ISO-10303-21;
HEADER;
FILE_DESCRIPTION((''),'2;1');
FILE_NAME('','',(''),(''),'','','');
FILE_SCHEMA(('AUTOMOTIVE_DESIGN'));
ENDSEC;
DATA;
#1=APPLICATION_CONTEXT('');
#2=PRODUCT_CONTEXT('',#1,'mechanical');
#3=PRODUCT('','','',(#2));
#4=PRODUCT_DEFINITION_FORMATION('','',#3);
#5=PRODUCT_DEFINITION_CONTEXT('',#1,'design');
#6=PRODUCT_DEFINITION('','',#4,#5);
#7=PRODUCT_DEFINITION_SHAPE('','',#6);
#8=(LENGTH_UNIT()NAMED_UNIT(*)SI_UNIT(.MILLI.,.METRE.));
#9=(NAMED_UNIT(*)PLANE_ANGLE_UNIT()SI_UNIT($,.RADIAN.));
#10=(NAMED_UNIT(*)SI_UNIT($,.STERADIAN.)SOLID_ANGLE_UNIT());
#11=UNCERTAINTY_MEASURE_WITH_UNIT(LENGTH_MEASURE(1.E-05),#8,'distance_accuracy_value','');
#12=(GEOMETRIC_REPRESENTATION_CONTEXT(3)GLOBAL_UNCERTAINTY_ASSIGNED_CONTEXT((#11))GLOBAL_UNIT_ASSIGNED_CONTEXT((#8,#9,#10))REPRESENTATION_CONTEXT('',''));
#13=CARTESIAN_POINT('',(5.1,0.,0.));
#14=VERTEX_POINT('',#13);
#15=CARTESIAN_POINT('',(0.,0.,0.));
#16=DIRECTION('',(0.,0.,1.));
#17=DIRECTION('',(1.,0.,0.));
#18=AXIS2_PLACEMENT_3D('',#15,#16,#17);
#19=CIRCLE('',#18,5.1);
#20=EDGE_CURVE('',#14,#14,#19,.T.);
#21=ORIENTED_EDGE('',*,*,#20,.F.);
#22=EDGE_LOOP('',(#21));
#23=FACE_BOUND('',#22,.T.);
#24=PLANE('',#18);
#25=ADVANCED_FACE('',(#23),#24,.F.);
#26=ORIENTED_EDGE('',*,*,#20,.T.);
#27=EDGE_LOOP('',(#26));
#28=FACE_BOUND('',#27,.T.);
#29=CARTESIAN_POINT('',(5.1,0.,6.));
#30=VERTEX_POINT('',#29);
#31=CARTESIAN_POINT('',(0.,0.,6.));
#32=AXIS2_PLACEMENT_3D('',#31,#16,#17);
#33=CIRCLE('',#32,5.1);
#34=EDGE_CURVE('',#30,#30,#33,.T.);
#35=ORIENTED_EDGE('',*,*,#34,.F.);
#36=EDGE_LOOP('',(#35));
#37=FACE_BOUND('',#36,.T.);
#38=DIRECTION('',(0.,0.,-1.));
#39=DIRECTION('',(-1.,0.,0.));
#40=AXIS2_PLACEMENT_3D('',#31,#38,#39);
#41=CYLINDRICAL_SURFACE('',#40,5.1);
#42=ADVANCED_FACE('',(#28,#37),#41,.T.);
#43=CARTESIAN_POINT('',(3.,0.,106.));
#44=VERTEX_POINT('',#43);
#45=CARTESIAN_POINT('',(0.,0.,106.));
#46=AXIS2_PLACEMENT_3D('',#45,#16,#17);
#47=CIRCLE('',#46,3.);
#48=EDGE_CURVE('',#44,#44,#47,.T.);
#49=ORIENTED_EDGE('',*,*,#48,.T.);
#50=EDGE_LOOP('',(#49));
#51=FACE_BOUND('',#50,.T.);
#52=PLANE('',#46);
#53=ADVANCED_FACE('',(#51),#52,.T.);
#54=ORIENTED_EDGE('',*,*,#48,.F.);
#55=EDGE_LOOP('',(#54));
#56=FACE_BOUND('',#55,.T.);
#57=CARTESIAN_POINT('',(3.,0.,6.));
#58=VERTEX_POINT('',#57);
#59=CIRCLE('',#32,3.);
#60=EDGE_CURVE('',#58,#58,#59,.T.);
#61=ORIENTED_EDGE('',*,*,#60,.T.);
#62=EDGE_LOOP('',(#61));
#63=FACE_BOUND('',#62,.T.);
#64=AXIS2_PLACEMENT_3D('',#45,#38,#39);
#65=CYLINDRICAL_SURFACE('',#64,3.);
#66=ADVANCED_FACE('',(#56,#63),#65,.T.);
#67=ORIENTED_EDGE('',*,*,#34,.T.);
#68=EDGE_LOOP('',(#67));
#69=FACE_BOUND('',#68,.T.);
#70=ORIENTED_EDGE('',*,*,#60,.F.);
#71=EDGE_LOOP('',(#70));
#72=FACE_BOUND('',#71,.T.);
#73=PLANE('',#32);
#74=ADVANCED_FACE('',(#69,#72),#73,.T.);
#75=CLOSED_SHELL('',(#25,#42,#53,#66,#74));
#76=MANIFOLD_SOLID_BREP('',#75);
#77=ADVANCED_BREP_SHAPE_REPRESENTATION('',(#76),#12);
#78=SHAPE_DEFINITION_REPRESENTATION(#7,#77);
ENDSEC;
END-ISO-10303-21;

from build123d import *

# Parameters (mm, degrees)
SKETCH_1_R      = 5.1
EXTRUDE_1_DEPTH = 6
SKETCH_2_R      = 3
EXTRUDE_2_DEPTH = 100


with BuildPart() as part:
    # 草图1 → 凸台-拉伸1 (new body)
    with BuildSketch(Plane.XY):
        Circle(SKETCH_1_R)
    extrude(amount=EXTRUDE_1_DEPTH)

    # 草图2 → 凸台-拉伸2 (add)
    with BuildSketch(Plane.XY.offset(6)):
        Circle(SKETCH_2_R)
    extrude(amount=EXTRUDE_2_DEPTH)


solid = part.part
